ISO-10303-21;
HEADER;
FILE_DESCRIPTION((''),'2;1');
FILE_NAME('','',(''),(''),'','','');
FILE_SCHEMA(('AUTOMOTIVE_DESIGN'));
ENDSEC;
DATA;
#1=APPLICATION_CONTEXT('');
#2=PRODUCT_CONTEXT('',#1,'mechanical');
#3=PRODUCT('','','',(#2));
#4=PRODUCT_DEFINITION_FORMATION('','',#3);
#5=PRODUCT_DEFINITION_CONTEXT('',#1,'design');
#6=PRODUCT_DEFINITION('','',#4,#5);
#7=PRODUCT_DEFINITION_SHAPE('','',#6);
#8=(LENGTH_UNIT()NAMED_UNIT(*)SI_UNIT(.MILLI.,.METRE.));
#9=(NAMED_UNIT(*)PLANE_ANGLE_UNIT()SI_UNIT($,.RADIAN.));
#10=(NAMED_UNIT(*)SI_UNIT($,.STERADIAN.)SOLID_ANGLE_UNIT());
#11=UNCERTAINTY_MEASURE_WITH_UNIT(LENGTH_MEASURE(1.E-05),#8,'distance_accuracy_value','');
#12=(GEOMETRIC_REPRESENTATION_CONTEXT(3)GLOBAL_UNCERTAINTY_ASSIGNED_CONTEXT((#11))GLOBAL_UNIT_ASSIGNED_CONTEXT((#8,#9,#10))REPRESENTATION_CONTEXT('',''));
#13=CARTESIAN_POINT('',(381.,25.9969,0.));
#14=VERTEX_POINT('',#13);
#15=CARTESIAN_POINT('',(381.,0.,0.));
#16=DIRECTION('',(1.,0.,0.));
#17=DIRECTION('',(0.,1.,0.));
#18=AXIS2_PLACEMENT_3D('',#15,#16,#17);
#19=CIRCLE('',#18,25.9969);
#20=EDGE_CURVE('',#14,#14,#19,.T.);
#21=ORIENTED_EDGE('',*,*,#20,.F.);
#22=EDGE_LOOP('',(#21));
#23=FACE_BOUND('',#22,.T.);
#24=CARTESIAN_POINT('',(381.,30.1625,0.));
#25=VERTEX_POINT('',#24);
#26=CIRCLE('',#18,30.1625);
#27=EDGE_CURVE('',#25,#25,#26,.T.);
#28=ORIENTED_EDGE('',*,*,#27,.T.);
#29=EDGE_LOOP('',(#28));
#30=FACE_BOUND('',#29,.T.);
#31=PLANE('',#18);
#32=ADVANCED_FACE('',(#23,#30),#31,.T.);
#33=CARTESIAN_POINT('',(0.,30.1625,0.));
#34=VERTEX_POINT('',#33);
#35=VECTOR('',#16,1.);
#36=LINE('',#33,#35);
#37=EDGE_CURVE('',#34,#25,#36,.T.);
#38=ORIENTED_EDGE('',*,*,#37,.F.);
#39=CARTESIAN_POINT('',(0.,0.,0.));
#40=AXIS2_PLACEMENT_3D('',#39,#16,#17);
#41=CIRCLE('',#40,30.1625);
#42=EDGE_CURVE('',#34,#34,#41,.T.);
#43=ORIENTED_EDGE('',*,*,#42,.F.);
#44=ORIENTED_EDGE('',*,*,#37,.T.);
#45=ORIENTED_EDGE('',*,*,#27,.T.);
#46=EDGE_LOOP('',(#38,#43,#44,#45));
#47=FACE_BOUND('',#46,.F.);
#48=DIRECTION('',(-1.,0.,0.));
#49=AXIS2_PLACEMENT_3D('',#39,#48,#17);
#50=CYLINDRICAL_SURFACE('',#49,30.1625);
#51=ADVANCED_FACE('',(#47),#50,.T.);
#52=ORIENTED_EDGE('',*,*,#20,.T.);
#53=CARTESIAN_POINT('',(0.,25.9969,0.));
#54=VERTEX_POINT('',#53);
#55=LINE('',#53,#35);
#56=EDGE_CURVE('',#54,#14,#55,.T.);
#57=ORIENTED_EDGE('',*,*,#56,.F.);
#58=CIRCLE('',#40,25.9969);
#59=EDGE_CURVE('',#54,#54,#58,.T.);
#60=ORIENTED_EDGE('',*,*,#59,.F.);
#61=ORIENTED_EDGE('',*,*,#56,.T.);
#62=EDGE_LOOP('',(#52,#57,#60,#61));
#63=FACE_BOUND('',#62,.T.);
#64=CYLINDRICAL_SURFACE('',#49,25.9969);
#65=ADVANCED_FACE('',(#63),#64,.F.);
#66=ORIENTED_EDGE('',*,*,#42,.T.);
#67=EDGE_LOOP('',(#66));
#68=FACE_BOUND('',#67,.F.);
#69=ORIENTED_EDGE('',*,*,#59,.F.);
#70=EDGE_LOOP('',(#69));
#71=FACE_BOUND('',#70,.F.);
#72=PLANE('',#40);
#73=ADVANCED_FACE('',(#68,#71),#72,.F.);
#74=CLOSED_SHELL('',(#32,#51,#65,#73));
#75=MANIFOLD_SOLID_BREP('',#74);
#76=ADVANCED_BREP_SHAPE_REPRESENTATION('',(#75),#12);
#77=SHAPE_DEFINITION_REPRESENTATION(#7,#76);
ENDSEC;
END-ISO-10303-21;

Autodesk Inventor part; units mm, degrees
ref_plane "YZ Plane" through (0, 0, 0) normal (1, 0, 0) x (0, 1, 0)
ref_plane "XZ Plane" through (0, 0, 0) normal (0, 1, 0) x (-1, 0, 0)
ref_plane "XY Plane" through (0, 0, 0) normal (0, 0, 1) x (1, 0, 0)
sketch "Sketch1" plane through (0, 0, 0) normal (1, 0, 0) x (0, 1, 0)
  circle A0 centre (0, 0) radius 25.9969
  circle A1 centre (0, 0) radius 30.1625
  dimension "d0" = 51.9938
  dimension "d1" = 60.325
extrude "Extrusion1" add sketch "Sketch1" along normal blind 381
properties part number "2in roller front"
